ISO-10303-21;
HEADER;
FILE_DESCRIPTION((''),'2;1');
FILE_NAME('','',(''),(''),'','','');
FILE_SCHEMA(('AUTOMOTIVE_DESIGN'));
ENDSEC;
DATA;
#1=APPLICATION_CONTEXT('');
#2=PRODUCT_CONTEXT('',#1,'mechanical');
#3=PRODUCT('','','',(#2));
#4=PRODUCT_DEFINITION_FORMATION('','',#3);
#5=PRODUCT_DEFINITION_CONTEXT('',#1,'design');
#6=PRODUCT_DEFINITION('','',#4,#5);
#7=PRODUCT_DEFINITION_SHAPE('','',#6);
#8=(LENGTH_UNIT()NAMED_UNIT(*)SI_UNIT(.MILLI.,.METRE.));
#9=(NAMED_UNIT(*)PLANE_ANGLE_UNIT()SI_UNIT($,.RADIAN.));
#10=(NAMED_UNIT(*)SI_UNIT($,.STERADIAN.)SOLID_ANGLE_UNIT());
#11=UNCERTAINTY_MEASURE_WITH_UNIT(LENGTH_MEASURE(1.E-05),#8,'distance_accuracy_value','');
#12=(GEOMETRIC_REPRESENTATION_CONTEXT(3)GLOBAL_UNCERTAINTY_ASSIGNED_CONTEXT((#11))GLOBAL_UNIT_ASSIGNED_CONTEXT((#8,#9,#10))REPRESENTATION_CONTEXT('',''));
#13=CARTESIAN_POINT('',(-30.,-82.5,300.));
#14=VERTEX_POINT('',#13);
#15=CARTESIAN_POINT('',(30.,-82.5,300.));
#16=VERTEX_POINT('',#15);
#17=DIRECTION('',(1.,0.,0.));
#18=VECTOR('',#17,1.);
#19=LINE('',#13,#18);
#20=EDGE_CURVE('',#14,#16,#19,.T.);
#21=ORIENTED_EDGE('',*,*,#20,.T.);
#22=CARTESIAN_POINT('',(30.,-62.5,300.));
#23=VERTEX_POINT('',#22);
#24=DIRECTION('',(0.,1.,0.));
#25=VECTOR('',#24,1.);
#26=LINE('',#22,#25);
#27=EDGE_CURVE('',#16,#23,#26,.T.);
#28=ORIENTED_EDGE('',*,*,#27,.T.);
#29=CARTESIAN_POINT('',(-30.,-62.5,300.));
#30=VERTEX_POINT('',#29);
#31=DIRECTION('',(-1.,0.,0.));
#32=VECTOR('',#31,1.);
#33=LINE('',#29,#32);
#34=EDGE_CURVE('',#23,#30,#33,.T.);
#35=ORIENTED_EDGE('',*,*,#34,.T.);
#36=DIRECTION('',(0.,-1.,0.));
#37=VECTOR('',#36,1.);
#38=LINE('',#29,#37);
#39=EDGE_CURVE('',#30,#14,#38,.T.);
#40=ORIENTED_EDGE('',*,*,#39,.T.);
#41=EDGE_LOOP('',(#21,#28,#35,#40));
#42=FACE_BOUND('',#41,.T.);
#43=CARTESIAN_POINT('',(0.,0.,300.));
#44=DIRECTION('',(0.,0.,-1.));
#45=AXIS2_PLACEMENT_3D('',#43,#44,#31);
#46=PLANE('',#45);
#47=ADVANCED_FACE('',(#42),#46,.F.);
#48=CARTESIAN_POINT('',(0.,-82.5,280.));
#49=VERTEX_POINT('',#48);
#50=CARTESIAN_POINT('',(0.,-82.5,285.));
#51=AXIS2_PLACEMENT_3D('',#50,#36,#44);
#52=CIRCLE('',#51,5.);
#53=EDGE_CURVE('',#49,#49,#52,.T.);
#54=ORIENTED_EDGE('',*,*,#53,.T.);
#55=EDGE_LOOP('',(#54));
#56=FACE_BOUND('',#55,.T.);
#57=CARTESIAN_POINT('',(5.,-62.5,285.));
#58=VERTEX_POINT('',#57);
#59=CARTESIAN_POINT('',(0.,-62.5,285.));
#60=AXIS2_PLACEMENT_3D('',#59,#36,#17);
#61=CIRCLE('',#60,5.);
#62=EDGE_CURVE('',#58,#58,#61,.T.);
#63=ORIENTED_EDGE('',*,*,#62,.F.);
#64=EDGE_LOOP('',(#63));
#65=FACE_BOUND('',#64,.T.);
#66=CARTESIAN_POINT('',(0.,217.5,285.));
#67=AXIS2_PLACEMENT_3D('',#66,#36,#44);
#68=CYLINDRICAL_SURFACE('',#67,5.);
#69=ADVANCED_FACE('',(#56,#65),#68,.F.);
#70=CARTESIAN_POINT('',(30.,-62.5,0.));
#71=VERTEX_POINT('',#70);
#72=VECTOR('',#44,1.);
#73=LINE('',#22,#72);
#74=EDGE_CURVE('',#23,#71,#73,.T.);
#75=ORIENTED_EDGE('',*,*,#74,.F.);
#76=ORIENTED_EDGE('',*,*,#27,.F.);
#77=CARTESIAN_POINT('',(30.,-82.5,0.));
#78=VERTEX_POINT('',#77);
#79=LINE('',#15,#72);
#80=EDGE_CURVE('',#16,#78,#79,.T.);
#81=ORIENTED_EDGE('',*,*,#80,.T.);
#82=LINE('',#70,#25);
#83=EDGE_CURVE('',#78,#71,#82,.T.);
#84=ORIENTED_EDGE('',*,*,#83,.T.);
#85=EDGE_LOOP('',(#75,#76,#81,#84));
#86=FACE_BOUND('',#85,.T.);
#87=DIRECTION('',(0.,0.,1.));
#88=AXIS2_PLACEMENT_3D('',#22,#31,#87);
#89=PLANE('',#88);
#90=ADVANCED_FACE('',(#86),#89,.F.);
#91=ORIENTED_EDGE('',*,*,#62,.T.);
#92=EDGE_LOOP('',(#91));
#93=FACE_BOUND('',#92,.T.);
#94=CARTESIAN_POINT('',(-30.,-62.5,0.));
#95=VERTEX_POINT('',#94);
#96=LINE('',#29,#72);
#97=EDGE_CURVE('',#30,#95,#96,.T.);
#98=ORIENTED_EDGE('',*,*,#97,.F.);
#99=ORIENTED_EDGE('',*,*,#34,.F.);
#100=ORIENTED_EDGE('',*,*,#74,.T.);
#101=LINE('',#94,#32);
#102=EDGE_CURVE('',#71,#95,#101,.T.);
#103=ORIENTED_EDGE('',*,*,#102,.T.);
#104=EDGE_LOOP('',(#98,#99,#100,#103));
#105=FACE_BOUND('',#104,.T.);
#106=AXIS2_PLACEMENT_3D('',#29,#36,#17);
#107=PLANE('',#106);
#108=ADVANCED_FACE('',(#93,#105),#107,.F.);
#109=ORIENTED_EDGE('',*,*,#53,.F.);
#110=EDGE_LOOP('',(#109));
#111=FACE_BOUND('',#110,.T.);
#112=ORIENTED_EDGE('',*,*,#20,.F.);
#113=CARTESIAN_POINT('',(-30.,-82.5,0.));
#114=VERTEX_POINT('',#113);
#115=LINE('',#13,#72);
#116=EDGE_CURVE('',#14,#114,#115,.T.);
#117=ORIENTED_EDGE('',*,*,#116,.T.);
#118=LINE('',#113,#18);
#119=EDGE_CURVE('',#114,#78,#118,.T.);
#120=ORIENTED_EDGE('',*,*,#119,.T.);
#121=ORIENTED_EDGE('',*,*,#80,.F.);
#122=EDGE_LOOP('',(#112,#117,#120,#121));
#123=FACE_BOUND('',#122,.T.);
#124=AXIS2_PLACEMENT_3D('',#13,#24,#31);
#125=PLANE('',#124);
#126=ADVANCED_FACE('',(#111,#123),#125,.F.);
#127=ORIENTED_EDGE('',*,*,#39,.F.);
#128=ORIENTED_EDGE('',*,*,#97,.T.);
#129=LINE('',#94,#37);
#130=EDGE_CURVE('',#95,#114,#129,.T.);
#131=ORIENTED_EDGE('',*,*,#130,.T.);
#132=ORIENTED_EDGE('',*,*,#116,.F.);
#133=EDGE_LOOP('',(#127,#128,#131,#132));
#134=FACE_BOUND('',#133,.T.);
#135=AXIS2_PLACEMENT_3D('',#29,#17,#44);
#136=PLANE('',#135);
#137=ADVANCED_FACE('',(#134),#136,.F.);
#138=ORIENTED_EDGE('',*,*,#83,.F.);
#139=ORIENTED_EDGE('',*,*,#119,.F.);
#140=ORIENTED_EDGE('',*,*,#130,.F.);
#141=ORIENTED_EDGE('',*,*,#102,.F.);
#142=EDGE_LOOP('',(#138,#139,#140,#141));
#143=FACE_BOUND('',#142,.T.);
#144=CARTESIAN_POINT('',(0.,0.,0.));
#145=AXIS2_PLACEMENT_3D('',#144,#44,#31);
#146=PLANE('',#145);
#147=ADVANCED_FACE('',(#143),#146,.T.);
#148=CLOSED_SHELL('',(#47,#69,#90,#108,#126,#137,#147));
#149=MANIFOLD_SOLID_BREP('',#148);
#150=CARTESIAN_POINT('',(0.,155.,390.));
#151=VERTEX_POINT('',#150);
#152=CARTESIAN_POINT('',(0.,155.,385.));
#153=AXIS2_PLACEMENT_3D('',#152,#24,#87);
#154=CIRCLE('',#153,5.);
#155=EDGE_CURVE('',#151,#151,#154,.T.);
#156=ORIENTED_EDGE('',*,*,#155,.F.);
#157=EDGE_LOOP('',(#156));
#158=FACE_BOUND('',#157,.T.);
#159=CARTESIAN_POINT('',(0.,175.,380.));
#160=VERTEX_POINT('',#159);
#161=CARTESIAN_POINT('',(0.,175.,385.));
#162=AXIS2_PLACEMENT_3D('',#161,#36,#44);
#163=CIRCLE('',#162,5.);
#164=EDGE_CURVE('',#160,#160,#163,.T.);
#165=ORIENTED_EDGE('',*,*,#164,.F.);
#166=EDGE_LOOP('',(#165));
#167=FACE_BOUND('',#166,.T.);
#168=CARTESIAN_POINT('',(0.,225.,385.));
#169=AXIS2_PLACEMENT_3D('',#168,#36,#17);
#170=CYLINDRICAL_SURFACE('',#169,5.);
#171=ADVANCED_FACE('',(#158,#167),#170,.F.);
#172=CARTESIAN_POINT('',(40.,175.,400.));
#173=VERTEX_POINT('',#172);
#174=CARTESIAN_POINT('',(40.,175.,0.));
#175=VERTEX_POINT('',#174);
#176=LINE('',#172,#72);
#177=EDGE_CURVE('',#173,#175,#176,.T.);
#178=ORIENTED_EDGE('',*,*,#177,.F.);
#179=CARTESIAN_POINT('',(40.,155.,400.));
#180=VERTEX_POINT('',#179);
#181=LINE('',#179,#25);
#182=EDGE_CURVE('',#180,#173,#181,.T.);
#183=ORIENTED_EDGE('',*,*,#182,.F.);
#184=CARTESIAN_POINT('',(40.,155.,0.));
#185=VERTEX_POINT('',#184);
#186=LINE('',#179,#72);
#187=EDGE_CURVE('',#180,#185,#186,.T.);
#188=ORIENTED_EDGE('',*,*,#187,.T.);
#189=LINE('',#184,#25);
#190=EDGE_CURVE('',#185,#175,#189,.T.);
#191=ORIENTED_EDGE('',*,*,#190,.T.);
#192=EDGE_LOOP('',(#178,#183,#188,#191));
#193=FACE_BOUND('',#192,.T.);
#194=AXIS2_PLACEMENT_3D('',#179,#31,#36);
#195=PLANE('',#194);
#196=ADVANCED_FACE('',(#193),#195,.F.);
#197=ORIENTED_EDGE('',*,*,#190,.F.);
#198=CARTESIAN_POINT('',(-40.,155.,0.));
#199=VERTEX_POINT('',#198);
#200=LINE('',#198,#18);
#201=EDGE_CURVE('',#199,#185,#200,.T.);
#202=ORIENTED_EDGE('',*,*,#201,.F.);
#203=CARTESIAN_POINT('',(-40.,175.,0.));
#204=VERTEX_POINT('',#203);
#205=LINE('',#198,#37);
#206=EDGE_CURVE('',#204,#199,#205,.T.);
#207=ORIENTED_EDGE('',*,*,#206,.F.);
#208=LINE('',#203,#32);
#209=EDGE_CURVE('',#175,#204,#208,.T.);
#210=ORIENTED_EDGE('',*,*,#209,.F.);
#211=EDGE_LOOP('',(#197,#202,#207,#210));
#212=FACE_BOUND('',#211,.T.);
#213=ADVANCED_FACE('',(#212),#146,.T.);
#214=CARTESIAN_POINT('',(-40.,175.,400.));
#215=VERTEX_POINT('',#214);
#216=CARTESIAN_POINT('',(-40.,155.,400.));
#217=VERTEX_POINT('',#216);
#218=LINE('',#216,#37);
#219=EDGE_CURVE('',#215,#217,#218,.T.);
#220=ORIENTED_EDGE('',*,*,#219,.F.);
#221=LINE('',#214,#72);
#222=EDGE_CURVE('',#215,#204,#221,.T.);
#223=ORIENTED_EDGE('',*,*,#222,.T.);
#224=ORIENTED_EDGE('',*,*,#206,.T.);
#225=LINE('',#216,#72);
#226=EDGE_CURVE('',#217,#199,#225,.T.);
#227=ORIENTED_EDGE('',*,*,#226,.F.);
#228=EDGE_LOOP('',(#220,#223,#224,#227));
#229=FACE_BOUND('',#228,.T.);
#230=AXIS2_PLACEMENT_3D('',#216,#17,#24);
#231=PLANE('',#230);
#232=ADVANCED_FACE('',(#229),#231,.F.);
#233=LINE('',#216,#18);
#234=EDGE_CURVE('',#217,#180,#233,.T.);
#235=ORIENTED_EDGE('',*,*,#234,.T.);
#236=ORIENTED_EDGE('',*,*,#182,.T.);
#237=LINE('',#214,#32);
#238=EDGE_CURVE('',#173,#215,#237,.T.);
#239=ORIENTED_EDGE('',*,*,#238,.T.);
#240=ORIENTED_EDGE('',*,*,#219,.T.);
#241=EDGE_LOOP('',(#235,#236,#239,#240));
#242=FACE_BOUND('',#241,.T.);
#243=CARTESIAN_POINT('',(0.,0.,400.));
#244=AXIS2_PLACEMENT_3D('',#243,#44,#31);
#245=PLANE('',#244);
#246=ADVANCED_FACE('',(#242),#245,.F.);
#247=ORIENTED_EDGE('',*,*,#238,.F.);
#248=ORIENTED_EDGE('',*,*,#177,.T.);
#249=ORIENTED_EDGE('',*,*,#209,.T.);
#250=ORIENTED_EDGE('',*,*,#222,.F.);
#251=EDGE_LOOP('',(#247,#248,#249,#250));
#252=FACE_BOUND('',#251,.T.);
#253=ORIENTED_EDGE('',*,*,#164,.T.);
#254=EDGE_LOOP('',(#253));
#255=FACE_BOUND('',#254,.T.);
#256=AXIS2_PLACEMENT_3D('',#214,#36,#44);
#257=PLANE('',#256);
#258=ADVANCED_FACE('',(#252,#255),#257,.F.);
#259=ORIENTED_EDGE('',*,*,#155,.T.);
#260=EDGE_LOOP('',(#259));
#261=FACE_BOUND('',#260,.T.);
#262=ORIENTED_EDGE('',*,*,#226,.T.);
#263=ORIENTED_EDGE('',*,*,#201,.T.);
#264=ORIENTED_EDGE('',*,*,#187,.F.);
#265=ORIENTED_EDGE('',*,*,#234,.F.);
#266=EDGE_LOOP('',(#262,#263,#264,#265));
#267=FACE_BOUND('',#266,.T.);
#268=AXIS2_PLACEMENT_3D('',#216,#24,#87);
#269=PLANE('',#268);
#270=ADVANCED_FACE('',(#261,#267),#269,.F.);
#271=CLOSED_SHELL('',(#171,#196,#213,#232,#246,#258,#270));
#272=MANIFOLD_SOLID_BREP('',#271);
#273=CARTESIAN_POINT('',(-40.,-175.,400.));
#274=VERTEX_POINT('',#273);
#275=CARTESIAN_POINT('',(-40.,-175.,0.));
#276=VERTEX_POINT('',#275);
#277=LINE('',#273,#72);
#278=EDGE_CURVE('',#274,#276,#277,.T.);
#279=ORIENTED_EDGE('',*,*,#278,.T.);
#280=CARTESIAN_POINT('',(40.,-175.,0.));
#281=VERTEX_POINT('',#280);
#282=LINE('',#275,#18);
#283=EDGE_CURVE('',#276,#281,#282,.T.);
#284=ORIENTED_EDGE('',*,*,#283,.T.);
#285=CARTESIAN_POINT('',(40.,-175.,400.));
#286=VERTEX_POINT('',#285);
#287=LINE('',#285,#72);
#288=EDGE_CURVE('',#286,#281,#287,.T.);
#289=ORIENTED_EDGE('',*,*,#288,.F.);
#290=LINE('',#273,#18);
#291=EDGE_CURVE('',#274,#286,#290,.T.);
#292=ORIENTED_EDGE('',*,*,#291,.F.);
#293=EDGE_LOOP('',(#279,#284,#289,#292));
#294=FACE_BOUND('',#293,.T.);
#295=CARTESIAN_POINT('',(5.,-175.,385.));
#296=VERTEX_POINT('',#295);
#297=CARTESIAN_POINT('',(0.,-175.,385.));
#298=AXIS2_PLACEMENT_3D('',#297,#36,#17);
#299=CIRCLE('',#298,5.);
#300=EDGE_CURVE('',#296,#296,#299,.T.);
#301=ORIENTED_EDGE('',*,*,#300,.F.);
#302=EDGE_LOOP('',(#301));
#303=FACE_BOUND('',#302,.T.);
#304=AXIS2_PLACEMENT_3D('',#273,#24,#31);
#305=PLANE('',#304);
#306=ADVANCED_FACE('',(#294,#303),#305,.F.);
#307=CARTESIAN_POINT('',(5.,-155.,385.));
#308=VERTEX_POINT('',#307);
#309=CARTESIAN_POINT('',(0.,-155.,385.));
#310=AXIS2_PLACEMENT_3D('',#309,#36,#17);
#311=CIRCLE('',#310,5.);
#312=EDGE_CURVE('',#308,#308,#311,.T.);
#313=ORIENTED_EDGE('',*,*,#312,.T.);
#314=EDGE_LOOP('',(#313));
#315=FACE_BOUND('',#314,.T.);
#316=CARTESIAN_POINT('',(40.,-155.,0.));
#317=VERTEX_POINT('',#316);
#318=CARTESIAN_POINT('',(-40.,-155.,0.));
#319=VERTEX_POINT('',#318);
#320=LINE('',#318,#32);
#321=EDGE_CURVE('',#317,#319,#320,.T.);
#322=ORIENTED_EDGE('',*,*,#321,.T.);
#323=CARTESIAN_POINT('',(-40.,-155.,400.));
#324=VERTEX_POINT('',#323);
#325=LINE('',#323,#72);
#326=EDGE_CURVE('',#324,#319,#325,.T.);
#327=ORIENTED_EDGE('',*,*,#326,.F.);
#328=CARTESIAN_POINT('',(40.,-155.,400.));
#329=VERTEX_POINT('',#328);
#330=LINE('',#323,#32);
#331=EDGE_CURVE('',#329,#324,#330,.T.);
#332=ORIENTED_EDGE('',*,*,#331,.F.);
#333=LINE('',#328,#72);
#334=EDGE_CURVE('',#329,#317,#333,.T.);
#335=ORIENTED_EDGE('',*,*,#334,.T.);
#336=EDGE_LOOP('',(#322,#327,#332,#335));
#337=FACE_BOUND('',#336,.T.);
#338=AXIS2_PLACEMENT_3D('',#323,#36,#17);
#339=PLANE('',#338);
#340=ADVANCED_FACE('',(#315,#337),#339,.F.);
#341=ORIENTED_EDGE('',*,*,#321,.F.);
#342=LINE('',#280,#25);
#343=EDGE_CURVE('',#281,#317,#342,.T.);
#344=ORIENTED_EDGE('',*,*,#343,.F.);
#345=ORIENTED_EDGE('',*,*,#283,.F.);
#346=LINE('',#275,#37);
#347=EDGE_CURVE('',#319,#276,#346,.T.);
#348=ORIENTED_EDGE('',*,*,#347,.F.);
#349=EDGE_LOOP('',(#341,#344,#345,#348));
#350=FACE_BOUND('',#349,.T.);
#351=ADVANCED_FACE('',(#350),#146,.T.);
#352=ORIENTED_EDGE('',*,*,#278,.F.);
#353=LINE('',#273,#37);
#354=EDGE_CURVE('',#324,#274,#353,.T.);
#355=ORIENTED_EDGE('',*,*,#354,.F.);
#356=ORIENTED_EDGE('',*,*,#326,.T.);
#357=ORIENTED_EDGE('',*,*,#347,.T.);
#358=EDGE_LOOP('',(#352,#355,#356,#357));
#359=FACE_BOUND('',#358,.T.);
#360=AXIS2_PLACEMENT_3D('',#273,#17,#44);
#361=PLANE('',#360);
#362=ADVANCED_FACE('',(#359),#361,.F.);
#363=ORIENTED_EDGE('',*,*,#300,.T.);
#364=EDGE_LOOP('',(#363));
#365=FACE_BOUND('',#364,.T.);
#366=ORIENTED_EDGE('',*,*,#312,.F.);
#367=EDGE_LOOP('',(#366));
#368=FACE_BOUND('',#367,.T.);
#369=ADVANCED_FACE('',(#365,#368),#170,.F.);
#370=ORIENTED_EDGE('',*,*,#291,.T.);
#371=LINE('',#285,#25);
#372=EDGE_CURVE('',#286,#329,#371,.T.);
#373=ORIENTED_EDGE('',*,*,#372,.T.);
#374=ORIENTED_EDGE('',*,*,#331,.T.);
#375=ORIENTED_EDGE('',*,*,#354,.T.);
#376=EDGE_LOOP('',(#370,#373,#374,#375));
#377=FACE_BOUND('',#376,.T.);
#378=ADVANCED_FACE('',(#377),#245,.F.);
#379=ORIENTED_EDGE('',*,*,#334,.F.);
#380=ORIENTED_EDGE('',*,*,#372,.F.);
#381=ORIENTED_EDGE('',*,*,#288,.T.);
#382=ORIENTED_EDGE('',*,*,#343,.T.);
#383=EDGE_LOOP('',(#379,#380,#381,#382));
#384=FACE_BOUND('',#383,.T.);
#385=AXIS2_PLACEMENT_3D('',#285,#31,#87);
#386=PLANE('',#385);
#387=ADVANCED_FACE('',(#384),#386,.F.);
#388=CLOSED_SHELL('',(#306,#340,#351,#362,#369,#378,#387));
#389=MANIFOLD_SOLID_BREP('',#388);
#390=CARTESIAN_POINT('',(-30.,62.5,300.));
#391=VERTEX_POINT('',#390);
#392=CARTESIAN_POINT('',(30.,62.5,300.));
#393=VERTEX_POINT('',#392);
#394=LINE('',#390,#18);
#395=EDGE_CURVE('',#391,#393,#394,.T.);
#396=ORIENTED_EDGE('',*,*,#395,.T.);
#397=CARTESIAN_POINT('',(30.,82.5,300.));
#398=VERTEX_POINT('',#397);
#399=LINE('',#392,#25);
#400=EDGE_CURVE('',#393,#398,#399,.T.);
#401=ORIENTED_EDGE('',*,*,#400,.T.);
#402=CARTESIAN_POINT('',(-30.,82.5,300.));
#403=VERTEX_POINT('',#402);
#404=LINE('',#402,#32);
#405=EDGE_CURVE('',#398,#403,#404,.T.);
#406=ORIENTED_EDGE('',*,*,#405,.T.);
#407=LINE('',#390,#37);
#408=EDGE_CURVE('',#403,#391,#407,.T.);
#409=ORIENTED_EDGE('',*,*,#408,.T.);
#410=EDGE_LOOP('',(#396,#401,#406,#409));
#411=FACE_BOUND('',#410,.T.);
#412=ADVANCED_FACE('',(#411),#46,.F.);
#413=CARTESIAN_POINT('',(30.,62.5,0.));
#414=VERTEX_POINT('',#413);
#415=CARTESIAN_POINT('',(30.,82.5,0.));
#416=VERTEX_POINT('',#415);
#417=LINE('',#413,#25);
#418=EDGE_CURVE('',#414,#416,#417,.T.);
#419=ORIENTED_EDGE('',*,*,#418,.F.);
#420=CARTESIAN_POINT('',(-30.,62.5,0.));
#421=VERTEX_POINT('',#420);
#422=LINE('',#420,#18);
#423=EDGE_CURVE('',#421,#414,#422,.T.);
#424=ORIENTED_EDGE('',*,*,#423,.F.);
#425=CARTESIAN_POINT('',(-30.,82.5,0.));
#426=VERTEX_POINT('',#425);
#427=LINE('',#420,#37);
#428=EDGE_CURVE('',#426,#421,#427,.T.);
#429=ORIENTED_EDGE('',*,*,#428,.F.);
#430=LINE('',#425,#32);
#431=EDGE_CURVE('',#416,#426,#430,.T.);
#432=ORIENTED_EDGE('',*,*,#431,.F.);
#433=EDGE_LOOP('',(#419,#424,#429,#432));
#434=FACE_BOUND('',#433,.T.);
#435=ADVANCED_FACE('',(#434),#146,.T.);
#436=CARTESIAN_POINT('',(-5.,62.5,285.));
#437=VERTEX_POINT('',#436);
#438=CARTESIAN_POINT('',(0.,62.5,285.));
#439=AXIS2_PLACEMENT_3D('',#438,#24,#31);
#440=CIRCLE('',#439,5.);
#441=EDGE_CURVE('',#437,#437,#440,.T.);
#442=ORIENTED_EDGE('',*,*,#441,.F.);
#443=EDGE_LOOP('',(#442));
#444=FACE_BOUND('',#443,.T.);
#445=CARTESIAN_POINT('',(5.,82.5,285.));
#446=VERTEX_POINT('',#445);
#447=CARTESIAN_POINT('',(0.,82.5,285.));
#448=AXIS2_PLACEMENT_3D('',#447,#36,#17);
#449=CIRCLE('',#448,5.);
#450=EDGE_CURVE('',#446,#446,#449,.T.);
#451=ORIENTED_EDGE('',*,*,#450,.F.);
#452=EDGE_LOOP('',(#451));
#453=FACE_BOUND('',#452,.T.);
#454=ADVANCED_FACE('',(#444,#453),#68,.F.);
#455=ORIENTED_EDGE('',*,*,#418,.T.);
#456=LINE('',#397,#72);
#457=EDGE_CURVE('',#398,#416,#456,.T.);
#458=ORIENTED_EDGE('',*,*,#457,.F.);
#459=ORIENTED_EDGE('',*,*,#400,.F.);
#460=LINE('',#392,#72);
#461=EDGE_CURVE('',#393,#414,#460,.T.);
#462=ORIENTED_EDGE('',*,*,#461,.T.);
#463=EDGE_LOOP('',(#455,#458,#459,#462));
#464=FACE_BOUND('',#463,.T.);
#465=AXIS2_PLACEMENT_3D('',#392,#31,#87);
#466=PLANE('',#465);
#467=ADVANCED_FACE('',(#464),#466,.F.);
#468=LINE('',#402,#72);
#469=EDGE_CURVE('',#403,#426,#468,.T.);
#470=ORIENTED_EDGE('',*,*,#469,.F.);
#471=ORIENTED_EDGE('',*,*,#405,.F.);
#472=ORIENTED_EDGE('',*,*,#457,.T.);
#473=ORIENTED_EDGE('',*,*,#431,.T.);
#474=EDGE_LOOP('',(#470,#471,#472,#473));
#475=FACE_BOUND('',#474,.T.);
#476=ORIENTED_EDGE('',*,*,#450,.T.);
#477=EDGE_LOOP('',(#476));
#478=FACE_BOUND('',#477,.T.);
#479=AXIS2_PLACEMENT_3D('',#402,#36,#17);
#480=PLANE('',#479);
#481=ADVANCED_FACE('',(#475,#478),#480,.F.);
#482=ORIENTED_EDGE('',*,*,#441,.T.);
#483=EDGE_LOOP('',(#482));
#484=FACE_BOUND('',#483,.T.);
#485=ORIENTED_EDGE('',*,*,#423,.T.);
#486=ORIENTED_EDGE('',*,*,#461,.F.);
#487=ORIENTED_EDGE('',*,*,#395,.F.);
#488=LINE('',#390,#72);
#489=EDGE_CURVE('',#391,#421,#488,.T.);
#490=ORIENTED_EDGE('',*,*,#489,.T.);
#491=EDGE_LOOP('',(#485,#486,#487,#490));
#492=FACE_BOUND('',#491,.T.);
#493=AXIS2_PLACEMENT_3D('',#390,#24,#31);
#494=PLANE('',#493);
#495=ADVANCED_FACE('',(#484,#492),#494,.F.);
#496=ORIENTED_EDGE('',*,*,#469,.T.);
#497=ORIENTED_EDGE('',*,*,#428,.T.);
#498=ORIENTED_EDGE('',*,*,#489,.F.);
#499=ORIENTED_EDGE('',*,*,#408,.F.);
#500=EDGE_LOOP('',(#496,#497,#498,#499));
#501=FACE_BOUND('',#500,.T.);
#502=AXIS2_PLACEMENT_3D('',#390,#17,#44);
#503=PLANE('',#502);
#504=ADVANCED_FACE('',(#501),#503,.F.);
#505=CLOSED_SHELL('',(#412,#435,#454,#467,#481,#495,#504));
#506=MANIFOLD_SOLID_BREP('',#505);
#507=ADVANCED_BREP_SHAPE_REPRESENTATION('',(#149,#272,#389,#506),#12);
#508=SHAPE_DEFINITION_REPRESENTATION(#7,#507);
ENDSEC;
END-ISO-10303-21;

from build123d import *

# Parameters (mm, degrees)
SKETCH_1_W          = 80
SKETCH_1_H          = 20
EXTRUDE_1_DEPTH     = 400
EXTRUDE_1_2_DEPTH   = 400
SKETCH_3_R          = 5
CUT_EXTRUDE_1_DEPTH = 400
SKETCH_4_W          = 60
SKETCH_4_H          = 20
EXTRUDE_2_DEPTH     = 300
EXTRUDE_2_2_DEPTH   = 300
SKETCH_5_R          = 5
CUT_EXTRUDE_2_DEPTH = 300


with BuildPart() as part:
    # Эскиз1 → Бобышка-Вытянуть1 (new body)
    with BuildSketch(Plane.XY):
        with Locations((0, 165)):
            Rectangle(SKETCH_1_W, SKETCH_1_H)
    extrude(amount=EXTRUDE_1_DEPTH)


with BuildPart() as body_2:
    # Эскиз1 → Extrude 1 2 (new body)
    with BuildSketch(Plane.XY):
        with Locations((0, -165)):
            Rectangle(SKETCH_1_W, SKETCH_1_H)
    extrude(amount=EXTRUDE_1_2_DEPTH)


with BuildPart() as cut_extrude_1_tool:
    # Эскиз3 → Вырез-Вытянуть1 (new body)
    with BuildSketch(Plane.XZ.offset(175)):
        with Locations((0, 385)):
            Circle(SKETCH_3_R)
    extrude(amount=-CUT_EXTRUDE_1_DEPTH)


with BuildPart() as part_1:
    add(part.part)

    # Вырез-Вытянуть1: cut by cut_extrude_1_tool
    add(cut_extrude_1_tool.part, mode=Mode.SUBTRACT)


with BuildPart() as body_2_1:
    add(body_2.part)

    # Вырез-Вытянуть1: cut by cut_extrude_1_tool
    add(cut_extrude_1_tool.part, mode=Mode.SUBTRACT)


with BuildPart() as body_3:
    # Эскиз4 → Бобышка-Вытянуть2 (new body)
    with BuildSketch(Plane.XY):
        with Locations((0, -72.5)):
            Rectangle(SKETCH_4_W, SKETCH_4_H)
    extrude(amount=EXTRUDE_2_DEPTH)


with BuildPart() as body_4:
    # Эскиз4 → Extrude 2 2 (new body)
    with BuildSketch(Plane.XY):
        with Locations((0, 72.5)):
            Rectangle(SKETCH_4_W, SKETCH_4_H)
    extrude(amount=EXTRUDE_2_2_DEPTH)


with BuildPart() as cut_extrude_2_tool:
    # Эскиз5 → Вырез-Вытянуть2 (new body)
    with BuildSketch(Plane.XZ.offset(82.5)):
        with Locations(Location((0, 285, 0), (0, 0, 270))):
            Circle(SKETCH_5_R)
    extrude(amount=-CUT_EXTRUDE_2_DEPTH)


with BuildPart() as body_4_1:
    add(body_4.part)

    # Вырез-Вытянуть2: cut by cut_extrude_2_tool
    add(cut_extrude_2_tool.part, mode=Mode.SUBTRACT)


with BuildPart() as body_3_1:
    add(body_3.part)

    # Вырез-Вытянуть2: cut by cut_extrude_2_tool
    add(cut_extrude_2_tool.part, mode=Mode.SUBTRACT)


solid = Compound([part_1.part, body_2_1.part, body_4_1.part, body_3_1.part])
